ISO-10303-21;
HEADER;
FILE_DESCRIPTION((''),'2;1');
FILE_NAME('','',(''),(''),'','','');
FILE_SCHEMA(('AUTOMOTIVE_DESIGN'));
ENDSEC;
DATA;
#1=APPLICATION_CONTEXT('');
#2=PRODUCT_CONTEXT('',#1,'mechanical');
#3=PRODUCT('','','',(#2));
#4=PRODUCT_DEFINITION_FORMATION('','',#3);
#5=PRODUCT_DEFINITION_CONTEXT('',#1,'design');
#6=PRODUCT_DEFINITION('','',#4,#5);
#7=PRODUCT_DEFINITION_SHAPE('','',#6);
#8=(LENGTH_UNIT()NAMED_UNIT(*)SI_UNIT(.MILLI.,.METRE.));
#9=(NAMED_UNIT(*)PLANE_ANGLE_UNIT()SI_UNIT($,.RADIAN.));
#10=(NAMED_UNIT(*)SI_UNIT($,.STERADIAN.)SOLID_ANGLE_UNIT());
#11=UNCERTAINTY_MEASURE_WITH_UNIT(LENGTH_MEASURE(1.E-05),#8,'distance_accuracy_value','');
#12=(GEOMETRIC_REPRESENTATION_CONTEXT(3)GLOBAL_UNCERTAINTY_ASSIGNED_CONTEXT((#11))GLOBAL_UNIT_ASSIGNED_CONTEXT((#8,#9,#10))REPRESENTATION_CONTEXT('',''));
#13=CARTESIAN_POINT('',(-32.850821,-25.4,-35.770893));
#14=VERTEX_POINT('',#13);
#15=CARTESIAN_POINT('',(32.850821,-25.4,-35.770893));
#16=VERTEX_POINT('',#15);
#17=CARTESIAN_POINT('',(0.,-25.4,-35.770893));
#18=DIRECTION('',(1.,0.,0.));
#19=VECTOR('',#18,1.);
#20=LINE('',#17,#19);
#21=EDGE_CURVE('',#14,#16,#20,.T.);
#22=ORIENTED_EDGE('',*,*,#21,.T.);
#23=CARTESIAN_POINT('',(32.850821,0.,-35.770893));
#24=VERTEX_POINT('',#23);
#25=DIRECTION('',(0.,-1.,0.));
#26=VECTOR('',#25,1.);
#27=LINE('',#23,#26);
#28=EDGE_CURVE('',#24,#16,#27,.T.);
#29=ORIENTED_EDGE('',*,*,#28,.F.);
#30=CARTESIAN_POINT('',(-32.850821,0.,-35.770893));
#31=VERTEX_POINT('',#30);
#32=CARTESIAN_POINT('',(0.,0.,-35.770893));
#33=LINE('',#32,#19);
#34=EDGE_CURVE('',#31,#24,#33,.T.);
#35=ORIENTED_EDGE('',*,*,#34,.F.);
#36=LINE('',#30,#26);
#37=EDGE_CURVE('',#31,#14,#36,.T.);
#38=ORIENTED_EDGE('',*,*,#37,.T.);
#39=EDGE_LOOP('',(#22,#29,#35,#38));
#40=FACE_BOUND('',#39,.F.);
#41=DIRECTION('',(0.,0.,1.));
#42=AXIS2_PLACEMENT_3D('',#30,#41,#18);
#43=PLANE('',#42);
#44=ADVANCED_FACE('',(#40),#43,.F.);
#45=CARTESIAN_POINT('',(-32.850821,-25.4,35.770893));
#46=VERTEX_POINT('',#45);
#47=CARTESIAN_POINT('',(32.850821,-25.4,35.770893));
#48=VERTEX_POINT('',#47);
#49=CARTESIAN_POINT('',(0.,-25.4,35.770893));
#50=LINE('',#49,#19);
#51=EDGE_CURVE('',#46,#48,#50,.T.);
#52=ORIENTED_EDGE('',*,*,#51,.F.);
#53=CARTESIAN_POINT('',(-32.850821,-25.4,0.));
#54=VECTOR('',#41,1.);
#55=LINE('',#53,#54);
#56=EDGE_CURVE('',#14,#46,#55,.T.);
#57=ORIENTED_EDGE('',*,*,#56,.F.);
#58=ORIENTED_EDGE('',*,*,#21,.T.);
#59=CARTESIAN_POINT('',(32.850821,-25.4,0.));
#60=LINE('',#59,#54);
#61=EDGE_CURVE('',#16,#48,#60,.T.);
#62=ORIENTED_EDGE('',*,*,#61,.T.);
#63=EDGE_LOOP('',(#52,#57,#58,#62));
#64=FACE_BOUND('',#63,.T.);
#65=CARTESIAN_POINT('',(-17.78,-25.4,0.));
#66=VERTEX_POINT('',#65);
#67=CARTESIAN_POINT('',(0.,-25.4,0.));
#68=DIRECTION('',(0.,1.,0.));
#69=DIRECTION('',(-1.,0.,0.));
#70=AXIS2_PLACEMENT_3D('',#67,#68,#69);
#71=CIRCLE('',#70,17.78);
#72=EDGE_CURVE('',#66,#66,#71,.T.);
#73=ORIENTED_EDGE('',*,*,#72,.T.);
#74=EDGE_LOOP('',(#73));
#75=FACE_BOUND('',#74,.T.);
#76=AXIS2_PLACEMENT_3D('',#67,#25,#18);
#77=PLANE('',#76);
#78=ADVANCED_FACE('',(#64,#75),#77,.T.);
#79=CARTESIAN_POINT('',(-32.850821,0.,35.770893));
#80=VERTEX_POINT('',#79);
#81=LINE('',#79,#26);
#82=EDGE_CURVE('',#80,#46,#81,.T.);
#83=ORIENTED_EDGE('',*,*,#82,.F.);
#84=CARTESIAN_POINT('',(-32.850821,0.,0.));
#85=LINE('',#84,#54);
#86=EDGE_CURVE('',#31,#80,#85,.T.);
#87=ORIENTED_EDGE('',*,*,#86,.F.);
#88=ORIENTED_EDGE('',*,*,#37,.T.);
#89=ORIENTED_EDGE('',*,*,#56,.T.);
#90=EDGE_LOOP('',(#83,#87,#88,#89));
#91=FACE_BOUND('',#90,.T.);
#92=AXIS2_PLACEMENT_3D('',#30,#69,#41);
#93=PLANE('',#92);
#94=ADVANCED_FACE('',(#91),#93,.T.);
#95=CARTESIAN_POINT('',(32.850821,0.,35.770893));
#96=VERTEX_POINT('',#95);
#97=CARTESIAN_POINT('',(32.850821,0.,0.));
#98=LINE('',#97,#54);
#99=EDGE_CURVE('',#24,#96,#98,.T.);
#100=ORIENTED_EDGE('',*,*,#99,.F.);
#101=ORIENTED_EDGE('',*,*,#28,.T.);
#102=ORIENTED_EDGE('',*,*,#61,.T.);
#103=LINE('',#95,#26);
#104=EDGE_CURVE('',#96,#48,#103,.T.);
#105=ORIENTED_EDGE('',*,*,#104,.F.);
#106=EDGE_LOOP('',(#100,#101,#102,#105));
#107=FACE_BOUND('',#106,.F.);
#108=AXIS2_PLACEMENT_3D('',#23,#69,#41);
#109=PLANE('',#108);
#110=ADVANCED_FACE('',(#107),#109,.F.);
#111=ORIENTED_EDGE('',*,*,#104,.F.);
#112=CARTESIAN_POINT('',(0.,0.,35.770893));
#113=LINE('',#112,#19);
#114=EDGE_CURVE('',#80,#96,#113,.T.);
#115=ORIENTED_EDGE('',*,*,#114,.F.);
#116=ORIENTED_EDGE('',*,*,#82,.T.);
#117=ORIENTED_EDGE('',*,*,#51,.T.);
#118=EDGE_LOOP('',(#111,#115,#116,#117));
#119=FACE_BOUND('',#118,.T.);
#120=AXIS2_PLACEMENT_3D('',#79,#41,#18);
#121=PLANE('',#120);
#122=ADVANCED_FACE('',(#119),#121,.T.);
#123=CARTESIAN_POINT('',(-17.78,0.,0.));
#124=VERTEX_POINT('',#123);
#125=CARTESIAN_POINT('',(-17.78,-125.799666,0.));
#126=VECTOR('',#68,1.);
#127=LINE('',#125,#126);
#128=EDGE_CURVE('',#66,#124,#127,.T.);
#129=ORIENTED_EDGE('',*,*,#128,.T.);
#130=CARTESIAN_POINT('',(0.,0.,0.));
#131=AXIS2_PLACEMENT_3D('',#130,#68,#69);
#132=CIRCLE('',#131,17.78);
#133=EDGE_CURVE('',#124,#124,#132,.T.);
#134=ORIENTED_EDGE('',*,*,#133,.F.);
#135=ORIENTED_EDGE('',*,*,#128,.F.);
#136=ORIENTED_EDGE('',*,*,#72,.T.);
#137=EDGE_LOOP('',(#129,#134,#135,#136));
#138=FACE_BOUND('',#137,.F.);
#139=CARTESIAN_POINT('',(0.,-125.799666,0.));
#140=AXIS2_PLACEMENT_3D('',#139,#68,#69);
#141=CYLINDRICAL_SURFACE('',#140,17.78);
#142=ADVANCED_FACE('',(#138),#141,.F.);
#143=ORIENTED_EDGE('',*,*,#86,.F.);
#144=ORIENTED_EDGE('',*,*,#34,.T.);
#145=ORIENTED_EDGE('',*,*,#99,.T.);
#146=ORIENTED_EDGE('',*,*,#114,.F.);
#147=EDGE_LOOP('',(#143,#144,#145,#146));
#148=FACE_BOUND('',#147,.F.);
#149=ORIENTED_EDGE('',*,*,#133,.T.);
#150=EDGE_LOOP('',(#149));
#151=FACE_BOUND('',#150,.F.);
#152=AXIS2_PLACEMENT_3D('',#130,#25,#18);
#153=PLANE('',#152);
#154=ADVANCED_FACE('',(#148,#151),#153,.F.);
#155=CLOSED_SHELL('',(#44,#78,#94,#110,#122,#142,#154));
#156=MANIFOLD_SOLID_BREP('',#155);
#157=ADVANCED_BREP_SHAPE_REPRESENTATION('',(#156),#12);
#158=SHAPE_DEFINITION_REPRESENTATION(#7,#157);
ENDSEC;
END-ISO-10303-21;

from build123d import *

# Parameters (mm, degrees)
F0_W     = 65.701642
F0_H     = 71.541786
F1_DEPTH = 25.4
F3_D     = 35.56


with BuildPart() as f1:
    # F0 (on Front) → F1 (new body)
    with BuildSketch(Plane.XZ):
        Rectangle(F0_W, F0_H)
    extrude(amount=F1_DEPTH)

    # F3 (through all)
    with Locations(Plane.XZ.offset(25.4)):
        with Locations((0, 0)):
            Hole(F3_D / 2)


solid = f1.part
